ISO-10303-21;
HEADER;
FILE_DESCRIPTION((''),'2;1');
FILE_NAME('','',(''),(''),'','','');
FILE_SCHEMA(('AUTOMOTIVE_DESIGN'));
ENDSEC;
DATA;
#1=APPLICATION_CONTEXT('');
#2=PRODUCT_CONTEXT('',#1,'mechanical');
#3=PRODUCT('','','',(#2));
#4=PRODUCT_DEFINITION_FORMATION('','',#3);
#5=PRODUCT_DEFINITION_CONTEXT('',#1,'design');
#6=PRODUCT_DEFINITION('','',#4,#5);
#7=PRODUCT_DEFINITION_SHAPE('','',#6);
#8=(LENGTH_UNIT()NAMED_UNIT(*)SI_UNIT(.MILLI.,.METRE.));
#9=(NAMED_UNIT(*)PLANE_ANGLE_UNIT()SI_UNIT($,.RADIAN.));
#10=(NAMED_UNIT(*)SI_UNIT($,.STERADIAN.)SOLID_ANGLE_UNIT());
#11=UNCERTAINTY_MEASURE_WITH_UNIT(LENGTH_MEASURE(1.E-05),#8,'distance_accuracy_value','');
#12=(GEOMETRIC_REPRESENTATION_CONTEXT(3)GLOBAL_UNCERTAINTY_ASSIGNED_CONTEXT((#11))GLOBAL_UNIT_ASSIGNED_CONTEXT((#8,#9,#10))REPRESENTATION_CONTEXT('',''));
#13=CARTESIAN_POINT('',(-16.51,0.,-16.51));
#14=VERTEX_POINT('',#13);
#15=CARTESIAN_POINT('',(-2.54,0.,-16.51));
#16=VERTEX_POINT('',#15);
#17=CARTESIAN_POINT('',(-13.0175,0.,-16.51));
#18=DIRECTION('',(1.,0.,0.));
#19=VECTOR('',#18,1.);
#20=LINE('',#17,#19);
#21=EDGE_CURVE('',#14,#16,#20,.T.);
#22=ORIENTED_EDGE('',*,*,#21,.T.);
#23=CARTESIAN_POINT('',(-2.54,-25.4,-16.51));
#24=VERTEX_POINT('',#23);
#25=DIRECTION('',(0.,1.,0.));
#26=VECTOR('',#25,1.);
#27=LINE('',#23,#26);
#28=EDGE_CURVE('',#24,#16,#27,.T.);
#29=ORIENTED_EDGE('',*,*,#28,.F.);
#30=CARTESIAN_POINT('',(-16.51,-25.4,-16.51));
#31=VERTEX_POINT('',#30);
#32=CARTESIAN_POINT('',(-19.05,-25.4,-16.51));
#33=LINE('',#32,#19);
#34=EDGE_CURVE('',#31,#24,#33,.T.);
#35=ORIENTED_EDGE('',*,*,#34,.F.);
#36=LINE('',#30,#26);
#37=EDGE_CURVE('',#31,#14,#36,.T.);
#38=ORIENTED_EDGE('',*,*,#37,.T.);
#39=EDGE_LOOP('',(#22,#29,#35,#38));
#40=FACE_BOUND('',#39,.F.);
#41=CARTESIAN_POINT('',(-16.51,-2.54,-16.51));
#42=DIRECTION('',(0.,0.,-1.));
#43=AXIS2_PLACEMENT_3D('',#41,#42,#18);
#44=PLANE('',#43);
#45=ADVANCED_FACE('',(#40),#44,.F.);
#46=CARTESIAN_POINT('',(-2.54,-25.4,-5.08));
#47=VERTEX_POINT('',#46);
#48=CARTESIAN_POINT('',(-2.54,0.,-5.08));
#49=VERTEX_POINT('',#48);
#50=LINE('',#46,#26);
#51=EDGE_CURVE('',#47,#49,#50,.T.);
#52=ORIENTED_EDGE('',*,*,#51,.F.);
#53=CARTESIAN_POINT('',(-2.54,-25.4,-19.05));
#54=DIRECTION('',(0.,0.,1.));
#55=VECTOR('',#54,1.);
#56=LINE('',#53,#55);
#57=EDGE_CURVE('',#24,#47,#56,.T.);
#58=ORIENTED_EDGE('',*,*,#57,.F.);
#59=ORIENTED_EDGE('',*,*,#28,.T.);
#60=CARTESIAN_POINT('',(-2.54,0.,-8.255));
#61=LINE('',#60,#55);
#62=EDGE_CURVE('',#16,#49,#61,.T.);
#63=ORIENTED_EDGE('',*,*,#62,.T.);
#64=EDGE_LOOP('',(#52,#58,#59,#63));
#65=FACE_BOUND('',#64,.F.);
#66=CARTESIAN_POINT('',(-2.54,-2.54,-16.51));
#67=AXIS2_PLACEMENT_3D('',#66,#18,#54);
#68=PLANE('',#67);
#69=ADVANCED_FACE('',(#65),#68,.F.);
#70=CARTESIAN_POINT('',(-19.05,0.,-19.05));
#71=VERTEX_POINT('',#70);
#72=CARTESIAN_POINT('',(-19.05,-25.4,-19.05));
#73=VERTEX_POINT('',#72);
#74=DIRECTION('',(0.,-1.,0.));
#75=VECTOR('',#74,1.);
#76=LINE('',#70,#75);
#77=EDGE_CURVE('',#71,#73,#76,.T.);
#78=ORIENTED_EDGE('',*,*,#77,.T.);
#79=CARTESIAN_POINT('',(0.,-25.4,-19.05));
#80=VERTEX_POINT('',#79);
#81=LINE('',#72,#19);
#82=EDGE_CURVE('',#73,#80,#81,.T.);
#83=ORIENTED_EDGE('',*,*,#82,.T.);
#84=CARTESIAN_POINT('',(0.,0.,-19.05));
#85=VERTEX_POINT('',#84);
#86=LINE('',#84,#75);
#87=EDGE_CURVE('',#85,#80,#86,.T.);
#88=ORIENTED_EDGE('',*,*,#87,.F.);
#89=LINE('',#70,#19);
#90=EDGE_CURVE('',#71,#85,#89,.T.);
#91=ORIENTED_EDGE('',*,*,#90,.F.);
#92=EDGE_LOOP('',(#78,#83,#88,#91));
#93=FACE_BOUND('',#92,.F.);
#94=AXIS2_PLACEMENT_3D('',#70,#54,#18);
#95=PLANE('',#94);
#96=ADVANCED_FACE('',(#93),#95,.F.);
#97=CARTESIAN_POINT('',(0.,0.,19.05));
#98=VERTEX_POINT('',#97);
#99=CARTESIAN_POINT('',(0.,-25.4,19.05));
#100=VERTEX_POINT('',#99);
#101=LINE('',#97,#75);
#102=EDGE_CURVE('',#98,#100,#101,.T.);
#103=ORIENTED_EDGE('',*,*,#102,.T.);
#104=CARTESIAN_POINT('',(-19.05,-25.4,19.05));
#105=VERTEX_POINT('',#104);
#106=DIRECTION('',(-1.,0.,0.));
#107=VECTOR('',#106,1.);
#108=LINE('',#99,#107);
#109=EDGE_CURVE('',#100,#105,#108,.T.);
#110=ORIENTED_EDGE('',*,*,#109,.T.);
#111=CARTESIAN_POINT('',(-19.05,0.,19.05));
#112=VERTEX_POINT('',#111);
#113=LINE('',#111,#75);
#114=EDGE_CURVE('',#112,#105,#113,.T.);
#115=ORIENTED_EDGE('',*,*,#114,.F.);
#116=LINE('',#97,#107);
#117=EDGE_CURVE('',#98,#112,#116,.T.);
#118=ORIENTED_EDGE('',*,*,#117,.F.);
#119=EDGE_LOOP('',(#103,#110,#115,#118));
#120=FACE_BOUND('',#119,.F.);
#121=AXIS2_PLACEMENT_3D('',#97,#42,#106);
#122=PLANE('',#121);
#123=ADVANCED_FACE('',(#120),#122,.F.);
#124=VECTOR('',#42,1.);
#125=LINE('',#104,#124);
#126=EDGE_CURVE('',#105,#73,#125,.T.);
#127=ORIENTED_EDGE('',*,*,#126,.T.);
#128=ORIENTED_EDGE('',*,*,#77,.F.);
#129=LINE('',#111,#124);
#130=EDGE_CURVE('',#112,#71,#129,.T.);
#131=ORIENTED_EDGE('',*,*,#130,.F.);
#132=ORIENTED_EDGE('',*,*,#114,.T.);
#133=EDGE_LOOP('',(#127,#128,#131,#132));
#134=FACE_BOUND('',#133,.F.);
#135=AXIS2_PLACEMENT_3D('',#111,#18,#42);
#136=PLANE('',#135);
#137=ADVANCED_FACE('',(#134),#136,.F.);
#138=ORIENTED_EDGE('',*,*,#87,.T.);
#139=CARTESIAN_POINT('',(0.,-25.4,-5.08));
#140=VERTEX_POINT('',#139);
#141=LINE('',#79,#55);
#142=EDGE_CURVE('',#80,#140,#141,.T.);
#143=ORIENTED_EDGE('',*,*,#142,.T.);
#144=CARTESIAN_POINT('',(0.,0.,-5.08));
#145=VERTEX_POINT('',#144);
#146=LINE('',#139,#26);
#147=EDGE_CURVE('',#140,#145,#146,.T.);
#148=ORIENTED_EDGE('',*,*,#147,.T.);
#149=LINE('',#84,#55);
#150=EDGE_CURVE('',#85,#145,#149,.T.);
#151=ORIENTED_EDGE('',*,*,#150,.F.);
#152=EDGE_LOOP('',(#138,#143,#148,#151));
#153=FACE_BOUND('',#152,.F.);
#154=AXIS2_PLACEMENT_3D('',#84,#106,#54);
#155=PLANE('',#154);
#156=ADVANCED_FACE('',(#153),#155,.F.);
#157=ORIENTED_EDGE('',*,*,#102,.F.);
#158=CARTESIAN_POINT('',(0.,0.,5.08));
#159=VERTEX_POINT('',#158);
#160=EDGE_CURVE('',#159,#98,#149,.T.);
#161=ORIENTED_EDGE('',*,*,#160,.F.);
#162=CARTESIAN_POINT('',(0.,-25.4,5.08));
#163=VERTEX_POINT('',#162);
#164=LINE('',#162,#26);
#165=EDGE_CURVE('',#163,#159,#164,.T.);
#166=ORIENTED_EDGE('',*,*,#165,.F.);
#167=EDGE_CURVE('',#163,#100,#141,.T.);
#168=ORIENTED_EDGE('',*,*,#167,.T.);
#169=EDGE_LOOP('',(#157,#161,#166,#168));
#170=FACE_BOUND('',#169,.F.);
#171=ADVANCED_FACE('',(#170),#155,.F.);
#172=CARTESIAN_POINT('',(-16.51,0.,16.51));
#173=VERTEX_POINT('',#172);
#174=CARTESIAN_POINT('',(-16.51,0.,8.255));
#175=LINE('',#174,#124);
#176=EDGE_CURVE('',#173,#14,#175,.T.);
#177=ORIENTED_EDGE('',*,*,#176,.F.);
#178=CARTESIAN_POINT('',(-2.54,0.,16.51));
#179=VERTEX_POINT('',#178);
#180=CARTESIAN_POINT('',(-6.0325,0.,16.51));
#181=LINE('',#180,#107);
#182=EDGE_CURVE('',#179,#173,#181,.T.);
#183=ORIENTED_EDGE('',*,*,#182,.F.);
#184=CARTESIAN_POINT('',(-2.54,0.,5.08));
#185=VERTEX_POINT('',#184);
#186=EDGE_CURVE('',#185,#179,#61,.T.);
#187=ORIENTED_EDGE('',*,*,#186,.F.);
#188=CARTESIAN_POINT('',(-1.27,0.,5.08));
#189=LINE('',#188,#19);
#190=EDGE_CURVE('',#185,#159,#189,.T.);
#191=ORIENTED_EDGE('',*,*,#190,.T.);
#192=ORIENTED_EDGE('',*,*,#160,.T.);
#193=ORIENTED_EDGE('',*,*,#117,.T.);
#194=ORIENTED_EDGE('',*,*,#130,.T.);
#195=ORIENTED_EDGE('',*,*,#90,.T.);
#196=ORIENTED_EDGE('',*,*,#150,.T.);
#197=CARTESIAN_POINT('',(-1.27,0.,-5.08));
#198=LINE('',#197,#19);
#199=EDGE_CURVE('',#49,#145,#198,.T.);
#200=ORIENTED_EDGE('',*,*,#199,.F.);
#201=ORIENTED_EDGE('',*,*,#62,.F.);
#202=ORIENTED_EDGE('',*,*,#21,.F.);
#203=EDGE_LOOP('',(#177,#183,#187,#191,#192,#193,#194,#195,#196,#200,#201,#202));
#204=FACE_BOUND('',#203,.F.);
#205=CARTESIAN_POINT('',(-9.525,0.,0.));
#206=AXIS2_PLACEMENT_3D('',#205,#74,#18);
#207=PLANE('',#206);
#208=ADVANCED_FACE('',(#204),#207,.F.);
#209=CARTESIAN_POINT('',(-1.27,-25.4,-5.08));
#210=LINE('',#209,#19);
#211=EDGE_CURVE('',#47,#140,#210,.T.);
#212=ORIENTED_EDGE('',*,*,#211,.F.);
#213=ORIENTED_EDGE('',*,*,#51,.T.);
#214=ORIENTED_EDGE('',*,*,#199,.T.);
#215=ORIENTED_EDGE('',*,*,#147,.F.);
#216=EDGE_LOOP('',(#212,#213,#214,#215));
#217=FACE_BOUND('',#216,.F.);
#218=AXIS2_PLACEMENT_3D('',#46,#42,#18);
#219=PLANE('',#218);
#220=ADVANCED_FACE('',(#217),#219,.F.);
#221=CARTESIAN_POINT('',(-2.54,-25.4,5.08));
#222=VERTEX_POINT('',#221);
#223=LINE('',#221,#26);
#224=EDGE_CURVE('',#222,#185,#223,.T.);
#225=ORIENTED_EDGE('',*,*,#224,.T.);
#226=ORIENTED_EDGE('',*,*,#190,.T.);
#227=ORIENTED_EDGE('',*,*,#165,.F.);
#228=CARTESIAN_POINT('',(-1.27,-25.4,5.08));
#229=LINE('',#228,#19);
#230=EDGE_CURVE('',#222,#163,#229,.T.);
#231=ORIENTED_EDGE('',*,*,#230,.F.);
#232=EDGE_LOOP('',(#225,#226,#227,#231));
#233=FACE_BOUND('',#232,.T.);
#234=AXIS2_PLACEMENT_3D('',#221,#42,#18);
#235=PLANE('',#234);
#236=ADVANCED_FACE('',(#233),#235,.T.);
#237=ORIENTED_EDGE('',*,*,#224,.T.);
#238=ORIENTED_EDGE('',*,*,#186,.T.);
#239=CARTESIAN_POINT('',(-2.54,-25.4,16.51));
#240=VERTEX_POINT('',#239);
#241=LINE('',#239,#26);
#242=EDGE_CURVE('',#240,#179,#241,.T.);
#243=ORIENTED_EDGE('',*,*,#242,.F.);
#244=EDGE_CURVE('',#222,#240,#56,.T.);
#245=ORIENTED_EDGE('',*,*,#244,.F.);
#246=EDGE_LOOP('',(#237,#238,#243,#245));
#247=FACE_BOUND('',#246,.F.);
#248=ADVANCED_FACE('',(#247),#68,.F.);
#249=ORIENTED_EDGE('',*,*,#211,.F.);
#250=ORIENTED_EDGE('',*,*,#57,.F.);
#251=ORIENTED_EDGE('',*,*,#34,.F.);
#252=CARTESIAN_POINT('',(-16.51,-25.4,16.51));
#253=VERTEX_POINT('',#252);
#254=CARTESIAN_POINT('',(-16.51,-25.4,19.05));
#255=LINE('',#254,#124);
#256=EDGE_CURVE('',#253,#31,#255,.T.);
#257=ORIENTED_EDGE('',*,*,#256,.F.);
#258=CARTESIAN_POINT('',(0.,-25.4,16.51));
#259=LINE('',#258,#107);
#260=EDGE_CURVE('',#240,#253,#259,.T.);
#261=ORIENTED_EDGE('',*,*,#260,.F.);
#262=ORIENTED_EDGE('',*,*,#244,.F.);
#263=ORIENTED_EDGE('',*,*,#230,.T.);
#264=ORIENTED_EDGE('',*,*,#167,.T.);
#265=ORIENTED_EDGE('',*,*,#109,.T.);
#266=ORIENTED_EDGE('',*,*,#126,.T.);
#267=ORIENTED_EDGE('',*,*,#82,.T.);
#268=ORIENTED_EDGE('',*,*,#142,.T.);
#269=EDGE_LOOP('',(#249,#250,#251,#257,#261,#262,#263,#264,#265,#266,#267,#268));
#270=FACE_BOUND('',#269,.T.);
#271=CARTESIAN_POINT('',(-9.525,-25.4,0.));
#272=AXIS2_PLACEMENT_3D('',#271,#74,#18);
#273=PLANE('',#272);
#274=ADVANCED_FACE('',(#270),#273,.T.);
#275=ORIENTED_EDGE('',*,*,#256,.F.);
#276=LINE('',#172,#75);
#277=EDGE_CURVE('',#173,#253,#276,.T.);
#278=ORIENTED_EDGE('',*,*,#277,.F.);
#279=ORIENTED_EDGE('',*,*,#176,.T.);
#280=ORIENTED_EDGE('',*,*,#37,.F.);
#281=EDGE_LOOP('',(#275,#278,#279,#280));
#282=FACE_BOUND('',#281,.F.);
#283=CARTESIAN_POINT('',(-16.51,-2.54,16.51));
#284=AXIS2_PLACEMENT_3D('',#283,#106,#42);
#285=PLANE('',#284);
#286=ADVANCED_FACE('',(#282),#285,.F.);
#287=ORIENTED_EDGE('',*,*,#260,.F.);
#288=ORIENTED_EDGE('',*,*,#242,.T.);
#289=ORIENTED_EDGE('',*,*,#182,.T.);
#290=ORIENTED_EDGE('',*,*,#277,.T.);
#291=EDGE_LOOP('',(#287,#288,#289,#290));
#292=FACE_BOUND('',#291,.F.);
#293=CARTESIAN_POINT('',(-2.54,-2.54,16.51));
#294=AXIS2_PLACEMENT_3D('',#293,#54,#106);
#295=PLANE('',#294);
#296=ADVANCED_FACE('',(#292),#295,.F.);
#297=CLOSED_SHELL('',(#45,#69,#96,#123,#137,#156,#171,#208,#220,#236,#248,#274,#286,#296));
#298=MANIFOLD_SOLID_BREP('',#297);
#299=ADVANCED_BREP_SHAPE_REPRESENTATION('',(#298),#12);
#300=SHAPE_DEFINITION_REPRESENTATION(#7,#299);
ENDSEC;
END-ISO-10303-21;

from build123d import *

# Parameters (mm, degrees)
F1_DEPTH = 25.4
F2_T     = -2.54
F3_DEPTH = 25.4
F4_W     = 2.54
F4_H     = 10.16
F5_DEPTH = 25.4


with BuildPart() as f1:
    # F0 (on Front) → F1 (new body)
    with BuildSketch(Plane.XZ):
        Polygon((0, -8.89), (0, 8.89), (0, 19.05), (-19.05, 19.05), (-19.05, 0), (-19.05, -19.05), (0, -19.05), align=None)
    extrude(amount=F1_DEPTH)

    # F2
    f2_openings = [f1.faces().sort_by_distance(p)[0] for p in [
        (-9.525, -25.4, 0),
    ]]
    offset(amount=F2_T, openings=f2_openings)

    # F3 (cut): a face of the model
    f3_faces = [f1.faces().sort_by_distance(p)[0] for p in [
        (-9.525, -2.54, 0),
    ]]
    extrude(f3_faces, amount=-F3_DEPTH, mode=Mode.SUBTRACT)

    # F4 (on face) → F5 (cut)
    with BuildSketch(Plane.XZ.offset(25.4)):
        with Locations((-1.27, 0)):
            Rectangle(F4_W, F4_H)
    extrude(amount=-F5_DEPTH, mode=Mode.SUBTRACT)


solid = f1.part
